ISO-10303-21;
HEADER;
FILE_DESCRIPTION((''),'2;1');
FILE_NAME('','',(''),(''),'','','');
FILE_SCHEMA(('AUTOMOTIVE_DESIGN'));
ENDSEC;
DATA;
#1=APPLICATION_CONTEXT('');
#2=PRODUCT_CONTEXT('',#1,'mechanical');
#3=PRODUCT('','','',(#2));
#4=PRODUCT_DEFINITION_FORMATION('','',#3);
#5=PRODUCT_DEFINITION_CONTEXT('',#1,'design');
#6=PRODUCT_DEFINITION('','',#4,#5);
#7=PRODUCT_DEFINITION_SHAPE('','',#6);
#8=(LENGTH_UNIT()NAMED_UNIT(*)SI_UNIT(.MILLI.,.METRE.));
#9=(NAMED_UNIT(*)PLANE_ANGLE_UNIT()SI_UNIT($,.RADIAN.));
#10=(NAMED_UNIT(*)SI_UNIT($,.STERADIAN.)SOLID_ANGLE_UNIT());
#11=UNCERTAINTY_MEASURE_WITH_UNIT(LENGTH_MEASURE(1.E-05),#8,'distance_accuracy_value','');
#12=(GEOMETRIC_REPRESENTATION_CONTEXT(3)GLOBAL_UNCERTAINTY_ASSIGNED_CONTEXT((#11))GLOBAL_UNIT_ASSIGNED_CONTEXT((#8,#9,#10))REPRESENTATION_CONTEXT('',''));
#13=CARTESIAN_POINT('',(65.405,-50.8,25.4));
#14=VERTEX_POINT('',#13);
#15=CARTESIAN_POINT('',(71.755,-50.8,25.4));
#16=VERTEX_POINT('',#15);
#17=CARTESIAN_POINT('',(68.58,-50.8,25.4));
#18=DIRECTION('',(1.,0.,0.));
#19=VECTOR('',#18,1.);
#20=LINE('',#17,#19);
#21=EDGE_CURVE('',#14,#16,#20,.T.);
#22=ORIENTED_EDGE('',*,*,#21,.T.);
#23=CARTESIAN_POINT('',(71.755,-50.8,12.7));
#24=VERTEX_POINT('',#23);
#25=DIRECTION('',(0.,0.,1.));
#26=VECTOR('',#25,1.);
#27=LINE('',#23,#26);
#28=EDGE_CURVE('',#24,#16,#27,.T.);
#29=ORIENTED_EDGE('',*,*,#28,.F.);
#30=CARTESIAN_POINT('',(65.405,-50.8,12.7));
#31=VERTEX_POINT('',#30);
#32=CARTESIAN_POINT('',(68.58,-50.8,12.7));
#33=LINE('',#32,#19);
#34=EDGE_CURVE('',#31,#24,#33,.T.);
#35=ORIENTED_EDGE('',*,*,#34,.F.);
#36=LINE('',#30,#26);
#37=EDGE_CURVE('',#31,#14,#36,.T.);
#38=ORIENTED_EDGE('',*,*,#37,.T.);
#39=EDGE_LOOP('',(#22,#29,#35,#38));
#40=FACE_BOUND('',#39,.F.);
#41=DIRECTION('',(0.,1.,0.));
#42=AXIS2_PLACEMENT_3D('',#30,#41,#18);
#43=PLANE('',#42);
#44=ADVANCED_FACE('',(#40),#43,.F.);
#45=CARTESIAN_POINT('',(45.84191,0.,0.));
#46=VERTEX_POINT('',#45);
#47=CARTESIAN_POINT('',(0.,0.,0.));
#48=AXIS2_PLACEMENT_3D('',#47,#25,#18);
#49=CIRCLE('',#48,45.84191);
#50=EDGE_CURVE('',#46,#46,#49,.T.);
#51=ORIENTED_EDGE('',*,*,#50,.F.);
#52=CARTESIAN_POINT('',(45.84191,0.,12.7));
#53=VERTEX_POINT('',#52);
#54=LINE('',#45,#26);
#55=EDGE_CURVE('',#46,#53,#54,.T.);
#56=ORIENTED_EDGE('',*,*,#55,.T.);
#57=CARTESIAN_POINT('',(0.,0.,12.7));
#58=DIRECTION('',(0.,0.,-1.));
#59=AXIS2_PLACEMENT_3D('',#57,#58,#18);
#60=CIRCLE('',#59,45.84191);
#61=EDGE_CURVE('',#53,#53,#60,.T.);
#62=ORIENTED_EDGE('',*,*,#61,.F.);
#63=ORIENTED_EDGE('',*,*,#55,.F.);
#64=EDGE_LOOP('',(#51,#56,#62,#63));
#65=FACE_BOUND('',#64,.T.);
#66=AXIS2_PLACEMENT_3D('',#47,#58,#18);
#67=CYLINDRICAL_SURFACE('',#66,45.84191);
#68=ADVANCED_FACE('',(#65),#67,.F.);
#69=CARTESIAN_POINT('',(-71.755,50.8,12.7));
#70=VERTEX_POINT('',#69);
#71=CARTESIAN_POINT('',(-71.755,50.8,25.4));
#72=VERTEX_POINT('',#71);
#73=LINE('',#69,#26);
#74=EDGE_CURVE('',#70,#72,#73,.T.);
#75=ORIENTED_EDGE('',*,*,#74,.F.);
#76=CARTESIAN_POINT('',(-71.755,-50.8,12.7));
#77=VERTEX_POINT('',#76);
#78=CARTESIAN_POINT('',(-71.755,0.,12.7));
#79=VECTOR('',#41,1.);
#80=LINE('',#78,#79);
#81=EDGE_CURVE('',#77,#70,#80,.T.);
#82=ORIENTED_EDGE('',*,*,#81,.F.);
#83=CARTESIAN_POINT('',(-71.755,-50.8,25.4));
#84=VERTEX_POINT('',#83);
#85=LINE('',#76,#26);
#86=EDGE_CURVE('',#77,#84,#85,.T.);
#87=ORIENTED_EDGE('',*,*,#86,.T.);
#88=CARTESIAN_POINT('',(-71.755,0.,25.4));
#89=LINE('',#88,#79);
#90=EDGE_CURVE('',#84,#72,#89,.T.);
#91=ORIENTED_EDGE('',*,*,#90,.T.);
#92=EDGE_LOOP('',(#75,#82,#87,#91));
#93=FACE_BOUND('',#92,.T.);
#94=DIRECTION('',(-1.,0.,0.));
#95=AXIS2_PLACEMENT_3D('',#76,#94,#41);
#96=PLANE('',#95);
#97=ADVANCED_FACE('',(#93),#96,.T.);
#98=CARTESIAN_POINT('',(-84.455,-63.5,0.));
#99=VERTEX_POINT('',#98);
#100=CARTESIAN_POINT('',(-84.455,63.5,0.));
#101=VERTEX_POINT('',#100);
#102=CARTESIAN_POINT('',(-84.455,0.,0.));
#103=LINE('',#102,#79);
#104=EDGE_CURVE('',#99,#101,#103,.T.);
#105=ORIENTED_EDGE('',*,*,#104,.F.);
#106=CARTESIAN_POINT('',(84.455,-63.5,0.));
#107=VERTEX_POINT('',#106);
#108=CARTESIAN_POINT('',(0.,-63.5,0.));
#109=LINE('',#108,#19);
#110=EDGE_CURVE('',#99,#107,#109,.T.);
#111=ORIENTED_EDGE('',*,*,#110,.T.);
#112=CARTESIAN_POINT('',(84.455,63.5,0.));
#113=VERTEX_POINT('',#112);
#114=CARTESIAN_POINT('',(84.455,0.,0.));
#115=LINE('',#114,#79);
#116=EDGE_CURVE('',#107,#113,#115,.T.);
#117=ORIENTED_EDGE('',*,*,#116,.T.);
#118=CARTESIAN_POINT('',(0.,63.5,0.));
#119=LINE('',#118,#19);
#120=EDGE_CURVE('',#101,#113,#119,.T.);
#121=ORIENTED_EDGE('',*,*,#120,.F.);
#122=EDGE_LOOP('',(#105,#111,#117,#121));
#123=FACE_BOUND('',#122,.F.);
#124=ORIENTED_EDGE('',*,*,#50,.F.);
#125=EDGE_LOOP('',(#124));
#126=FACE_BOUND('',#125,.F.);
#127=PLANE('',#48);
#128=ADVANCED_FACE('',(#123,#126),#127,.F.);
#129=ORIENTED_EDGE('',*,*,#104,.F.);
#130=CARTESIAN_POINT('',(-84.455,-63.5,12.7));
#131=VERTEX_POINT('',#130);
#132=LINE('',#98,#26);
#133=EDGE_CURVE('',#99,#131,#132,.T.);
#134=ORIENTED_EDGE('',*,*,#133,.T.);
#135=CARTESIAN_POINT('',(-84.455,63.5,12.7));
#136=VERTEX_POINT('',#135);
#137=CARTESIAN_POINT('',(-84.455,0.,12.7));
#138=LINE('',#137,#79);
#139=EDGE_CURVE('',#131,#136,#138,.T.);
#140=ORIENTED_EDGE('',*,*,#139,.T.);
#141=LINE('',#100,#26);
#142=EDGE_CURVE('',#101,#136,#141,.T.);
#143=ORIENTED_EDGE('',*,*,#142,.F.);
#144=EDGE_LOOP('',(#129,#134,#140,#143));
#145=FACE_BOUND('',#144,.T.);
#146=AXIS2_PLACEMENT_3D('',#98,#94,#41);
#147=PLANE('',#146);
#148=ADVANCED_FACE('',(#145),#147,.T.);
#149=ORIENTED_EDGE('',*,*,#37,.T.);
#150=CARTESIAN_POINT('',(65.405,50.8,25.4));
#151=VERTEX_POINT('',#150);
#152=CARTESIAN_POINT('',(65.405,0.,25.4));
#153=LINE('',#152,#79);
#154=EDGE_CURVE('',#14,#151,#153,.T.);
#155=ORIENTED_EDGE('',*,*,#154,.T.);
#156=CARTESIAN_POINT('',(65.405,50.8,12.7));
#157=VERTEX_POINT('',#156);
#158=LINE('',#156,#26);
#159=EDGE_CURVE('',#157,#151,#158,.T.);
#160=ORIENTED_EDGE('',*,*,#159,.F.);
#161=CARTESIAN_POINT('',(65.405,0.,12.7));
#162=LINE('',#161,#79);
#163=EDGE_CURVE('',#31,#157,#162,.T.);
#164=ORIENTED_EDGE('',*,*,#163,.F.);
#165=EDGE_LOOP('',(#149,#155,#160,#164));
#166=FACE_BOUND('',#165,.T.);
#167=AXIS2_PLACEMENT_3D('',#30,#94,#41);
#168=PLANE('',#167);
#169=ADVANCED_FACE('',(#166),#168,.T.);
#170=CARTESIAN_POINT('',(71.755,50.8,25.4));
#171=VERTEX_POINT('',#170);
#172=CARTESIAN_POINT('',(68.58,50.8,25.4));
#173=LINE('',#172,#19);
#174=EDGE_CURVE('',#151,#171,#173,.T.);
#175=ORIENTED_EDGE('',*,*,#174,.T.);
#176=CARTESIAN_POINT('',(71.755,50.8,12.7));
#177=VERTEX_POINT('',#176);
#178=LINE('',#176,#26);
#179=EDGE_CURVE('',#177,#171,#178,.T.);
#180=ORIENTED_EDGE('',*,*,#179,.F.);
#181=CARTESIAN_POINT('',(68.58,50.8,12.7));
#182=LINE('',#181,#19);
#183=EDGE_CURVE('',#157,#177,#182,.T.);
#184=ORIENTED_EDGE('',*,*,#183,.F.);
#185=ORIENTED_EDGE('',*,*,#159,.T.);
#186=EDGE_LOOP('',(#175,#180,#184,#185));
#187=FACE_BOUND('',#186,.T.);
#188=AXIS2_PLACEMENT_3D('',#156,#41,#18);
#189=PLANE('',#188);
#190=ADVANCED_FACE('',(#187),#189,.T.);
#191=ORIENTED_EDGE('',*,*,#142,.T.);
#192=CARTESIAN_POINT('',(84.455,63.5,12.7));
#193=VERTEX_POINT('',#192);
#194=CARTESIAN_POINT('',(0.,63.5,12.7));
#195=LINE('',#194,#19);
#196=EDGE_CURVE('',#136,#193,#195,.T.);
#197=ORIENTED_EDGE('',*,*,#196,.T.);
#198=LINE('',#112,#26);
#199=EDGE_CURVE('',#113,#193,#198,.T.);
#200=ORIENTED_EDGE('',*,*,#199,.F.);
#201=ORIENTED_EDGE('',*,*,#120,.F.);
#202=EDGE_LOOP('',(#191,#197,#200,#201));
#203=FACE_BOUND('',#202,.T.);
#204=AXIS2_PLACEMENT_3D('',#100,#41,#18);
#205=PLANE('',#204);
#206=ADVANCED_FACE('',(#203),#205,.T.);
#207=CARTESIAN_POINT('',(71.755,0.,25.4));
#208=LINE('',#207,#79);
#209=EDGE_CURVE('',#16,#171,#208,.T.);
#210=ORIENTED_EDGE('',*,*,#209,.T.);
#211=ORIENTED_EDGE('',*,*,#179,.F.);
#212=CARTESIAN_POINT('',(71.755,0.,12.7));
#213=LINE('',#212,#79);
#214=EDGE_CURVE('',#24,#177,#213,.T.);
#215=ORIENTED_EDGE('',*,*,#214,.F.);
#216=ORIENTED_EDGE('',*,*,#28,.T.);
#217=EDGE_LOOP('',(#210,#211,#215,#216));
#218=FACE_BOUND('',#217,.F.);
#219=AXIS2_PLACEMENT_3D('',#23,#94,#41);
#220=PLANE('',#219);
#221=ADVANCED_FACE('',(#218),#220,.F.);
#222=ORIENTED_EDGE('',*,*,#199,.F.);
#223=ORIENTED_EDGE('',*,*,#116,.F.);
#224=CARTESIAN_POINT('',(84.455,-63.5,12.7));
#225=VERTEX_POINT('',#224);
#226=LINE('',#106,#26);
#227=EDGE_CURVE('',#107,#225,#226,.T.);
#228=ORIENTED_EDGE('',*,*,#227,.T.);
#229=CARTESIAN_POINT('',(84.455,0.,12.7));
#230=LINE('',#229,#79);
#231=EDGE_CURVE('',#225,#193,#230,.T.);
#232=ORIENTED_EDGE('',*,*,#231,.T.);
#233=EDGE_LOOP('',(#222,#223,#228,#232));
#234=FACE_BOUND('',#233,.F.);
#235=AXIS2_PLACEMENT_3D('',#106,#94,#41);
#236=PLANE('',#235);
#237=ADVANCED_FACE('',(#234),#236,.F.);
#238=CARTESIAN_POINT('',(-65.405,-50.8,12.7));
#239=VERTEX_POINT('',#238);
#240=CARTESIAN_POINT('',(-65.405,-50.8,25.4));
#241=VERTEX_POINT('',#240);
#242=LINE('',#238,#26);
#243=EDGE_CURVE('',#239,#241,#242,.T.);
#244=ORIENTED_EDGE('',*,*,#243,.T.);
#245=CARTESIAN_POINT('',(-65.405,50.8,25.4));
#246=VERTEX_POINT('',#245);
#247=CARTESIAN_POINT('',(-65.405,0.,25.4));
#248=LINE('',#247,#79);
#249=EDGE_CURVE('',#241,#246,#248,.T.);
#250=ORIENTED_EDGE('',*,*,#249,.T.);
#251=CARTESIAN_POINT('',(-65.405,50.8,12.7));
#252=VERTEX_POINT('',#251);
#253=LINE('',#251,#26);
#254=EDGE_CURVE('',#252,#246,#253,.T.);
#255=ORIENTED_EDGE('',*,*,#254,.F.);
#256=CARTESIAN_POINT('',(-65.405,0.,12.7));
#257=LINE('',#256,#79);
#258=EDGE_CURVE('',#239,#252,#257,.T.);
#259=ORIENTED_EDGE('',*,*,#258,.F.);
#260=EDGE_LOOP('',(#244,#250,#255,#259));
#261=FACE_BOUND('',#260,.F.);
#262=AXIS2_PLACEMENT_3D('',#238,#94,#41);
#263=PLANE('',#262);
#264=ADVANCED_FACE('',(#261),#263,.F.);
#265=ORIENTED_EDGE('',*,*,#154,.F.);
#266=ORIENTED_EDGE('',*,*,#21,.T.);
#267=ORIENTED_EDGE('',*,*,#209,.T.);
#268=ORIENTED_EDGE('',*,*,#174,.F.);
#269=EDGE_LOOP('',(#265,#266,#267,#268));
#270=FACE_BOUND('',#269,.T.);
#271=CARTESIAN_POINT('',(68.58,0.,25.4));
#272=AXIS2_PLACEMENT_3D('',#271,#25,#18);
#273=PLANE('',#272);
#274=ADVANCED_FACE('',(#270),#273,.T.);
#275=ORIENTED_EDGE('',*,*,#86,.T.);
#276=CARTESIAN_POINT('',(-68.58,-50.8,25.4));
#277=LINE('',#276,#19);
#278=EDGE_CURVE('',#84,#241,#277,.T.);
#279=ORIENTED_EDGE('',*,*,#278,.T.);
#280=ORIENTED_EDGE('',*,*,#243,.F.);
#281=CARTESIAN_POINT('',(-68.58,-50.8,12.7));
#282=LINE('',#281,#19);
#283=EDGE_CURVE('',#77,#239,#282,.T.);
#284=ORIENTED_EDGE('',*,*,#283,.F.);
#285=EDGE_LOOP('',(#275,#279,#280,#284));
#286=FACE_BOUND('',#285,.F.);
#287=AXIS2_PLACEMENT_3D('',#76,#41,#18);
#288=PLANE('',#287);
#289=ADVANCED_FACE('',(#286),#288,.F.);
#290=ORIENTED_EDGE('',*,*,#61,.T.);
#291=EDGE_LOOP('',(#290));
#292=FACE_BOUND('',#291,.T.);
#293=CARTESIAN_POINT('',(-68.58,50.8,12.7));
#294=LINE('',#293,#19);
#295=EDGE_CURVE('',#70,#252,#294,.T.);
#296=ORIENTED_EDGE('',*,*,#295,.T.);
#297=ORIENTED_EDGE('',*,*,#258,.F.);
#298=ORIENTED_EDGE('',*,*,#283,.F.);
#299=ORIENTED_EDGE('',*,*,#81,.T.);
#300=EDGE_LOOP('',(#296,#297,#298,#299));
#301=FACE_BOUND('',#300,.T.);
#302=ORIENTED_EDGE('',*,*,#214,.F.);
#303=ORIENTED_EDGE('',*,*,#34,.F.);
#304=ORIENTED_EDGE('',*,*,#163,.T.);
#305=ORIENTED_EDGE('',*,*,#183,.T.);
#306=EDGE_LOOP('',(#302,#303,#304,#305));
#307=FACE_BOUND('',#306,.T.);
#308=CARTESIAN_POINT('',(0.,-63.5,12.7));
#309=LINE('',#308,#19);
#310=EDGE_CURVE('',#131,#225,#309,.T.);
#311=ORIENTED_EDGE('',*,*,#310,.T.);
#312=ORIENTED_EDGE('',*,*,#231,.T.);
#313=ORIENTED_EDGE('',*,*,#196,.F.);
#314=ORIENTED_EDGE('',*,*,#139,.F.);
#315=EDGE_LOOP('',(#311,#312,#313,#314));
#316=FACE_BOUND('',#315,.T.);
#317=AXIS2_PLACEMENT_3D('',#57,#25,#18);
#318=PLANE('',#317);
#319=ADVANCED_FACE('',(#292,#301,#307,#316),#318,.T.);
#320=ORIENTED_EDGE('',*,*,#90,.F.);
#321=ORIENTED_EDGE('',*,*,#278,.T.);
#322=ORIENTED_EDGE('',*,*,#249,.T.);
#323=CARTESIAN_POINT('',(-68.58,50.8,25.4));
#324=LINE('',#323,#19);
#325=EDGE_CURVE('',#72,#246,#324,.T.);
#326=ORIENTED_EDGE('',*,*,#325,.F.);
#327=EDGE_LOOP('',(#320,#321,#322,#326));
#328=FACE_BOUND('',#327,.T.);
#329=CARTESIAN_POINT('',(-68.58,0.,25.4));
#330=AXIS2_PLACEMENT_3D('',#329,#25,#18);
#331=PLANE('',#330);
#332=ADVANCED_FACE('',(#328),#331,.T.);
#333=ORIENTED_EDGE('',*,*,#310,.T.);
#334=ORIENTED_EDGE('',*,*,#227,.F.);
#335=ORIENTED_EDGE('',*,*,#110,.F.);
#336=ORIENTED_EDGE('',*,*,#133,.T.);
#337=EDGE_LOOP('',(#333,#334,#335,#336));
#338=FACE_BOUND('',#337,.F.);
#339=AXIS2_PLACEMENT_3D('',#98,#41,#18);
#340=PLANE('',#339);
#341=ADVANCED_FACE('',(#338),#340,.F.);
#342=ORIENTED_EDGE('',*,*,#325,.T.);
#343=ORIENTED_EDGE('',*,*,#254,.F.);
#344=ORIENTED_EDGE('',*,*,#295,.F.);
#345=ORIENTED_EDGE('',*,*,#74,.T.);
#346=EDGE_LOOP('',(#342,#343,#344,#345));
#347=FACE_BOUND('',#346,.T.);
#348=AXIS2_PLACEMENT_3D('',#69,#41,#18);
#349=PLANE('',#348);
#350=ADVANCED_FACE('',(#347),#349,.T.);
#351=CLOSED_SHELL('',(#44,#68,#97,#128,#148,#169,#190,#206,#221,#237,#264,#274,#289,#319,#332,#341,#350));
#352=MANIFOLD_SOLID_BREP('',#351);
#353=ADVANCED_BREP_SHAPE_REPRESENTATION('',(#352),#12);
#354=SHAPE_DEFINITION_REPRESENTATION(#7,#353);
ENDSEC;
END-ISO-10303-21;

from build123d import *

# Parameters (mm, degrees)
F0_W     = 168.91
F0_H     = 127
F1_DEPTH = 12.7
F2_W     = 6.35
F2_H     = 101.6
F3_DEPTH = 12.7
F4_R     = 45.84191
F5_DEPTH = 25.4


with BuildPart() as f1:
    # F0 (on Top) → F1 (new body)
    with BuildSketch(Plane.XY):
        Rectangle(F0_W, F0_H)
    extrude(amount=F1_DEPTH)

    # F2 (on face) → F3 (join)
    with BuildSketch(Plane.XY.offset(12.7)):
        with Locations((68.58, 0)):
            Rectangle(F2_W, F2_H)
        with Locations((-68.58, 0)):
            Rectangle(F2_W, F2_H)
    extrude(amount=F3_DEPTH)

    # F4 (on Top) → F5 (cut)
    with BuildSketch(Plane.XY):
        Circle(F4_R)
    extrude(amount=F5_DEPTH, mode=Mode.SUBTRACT)


solid = f1.part
